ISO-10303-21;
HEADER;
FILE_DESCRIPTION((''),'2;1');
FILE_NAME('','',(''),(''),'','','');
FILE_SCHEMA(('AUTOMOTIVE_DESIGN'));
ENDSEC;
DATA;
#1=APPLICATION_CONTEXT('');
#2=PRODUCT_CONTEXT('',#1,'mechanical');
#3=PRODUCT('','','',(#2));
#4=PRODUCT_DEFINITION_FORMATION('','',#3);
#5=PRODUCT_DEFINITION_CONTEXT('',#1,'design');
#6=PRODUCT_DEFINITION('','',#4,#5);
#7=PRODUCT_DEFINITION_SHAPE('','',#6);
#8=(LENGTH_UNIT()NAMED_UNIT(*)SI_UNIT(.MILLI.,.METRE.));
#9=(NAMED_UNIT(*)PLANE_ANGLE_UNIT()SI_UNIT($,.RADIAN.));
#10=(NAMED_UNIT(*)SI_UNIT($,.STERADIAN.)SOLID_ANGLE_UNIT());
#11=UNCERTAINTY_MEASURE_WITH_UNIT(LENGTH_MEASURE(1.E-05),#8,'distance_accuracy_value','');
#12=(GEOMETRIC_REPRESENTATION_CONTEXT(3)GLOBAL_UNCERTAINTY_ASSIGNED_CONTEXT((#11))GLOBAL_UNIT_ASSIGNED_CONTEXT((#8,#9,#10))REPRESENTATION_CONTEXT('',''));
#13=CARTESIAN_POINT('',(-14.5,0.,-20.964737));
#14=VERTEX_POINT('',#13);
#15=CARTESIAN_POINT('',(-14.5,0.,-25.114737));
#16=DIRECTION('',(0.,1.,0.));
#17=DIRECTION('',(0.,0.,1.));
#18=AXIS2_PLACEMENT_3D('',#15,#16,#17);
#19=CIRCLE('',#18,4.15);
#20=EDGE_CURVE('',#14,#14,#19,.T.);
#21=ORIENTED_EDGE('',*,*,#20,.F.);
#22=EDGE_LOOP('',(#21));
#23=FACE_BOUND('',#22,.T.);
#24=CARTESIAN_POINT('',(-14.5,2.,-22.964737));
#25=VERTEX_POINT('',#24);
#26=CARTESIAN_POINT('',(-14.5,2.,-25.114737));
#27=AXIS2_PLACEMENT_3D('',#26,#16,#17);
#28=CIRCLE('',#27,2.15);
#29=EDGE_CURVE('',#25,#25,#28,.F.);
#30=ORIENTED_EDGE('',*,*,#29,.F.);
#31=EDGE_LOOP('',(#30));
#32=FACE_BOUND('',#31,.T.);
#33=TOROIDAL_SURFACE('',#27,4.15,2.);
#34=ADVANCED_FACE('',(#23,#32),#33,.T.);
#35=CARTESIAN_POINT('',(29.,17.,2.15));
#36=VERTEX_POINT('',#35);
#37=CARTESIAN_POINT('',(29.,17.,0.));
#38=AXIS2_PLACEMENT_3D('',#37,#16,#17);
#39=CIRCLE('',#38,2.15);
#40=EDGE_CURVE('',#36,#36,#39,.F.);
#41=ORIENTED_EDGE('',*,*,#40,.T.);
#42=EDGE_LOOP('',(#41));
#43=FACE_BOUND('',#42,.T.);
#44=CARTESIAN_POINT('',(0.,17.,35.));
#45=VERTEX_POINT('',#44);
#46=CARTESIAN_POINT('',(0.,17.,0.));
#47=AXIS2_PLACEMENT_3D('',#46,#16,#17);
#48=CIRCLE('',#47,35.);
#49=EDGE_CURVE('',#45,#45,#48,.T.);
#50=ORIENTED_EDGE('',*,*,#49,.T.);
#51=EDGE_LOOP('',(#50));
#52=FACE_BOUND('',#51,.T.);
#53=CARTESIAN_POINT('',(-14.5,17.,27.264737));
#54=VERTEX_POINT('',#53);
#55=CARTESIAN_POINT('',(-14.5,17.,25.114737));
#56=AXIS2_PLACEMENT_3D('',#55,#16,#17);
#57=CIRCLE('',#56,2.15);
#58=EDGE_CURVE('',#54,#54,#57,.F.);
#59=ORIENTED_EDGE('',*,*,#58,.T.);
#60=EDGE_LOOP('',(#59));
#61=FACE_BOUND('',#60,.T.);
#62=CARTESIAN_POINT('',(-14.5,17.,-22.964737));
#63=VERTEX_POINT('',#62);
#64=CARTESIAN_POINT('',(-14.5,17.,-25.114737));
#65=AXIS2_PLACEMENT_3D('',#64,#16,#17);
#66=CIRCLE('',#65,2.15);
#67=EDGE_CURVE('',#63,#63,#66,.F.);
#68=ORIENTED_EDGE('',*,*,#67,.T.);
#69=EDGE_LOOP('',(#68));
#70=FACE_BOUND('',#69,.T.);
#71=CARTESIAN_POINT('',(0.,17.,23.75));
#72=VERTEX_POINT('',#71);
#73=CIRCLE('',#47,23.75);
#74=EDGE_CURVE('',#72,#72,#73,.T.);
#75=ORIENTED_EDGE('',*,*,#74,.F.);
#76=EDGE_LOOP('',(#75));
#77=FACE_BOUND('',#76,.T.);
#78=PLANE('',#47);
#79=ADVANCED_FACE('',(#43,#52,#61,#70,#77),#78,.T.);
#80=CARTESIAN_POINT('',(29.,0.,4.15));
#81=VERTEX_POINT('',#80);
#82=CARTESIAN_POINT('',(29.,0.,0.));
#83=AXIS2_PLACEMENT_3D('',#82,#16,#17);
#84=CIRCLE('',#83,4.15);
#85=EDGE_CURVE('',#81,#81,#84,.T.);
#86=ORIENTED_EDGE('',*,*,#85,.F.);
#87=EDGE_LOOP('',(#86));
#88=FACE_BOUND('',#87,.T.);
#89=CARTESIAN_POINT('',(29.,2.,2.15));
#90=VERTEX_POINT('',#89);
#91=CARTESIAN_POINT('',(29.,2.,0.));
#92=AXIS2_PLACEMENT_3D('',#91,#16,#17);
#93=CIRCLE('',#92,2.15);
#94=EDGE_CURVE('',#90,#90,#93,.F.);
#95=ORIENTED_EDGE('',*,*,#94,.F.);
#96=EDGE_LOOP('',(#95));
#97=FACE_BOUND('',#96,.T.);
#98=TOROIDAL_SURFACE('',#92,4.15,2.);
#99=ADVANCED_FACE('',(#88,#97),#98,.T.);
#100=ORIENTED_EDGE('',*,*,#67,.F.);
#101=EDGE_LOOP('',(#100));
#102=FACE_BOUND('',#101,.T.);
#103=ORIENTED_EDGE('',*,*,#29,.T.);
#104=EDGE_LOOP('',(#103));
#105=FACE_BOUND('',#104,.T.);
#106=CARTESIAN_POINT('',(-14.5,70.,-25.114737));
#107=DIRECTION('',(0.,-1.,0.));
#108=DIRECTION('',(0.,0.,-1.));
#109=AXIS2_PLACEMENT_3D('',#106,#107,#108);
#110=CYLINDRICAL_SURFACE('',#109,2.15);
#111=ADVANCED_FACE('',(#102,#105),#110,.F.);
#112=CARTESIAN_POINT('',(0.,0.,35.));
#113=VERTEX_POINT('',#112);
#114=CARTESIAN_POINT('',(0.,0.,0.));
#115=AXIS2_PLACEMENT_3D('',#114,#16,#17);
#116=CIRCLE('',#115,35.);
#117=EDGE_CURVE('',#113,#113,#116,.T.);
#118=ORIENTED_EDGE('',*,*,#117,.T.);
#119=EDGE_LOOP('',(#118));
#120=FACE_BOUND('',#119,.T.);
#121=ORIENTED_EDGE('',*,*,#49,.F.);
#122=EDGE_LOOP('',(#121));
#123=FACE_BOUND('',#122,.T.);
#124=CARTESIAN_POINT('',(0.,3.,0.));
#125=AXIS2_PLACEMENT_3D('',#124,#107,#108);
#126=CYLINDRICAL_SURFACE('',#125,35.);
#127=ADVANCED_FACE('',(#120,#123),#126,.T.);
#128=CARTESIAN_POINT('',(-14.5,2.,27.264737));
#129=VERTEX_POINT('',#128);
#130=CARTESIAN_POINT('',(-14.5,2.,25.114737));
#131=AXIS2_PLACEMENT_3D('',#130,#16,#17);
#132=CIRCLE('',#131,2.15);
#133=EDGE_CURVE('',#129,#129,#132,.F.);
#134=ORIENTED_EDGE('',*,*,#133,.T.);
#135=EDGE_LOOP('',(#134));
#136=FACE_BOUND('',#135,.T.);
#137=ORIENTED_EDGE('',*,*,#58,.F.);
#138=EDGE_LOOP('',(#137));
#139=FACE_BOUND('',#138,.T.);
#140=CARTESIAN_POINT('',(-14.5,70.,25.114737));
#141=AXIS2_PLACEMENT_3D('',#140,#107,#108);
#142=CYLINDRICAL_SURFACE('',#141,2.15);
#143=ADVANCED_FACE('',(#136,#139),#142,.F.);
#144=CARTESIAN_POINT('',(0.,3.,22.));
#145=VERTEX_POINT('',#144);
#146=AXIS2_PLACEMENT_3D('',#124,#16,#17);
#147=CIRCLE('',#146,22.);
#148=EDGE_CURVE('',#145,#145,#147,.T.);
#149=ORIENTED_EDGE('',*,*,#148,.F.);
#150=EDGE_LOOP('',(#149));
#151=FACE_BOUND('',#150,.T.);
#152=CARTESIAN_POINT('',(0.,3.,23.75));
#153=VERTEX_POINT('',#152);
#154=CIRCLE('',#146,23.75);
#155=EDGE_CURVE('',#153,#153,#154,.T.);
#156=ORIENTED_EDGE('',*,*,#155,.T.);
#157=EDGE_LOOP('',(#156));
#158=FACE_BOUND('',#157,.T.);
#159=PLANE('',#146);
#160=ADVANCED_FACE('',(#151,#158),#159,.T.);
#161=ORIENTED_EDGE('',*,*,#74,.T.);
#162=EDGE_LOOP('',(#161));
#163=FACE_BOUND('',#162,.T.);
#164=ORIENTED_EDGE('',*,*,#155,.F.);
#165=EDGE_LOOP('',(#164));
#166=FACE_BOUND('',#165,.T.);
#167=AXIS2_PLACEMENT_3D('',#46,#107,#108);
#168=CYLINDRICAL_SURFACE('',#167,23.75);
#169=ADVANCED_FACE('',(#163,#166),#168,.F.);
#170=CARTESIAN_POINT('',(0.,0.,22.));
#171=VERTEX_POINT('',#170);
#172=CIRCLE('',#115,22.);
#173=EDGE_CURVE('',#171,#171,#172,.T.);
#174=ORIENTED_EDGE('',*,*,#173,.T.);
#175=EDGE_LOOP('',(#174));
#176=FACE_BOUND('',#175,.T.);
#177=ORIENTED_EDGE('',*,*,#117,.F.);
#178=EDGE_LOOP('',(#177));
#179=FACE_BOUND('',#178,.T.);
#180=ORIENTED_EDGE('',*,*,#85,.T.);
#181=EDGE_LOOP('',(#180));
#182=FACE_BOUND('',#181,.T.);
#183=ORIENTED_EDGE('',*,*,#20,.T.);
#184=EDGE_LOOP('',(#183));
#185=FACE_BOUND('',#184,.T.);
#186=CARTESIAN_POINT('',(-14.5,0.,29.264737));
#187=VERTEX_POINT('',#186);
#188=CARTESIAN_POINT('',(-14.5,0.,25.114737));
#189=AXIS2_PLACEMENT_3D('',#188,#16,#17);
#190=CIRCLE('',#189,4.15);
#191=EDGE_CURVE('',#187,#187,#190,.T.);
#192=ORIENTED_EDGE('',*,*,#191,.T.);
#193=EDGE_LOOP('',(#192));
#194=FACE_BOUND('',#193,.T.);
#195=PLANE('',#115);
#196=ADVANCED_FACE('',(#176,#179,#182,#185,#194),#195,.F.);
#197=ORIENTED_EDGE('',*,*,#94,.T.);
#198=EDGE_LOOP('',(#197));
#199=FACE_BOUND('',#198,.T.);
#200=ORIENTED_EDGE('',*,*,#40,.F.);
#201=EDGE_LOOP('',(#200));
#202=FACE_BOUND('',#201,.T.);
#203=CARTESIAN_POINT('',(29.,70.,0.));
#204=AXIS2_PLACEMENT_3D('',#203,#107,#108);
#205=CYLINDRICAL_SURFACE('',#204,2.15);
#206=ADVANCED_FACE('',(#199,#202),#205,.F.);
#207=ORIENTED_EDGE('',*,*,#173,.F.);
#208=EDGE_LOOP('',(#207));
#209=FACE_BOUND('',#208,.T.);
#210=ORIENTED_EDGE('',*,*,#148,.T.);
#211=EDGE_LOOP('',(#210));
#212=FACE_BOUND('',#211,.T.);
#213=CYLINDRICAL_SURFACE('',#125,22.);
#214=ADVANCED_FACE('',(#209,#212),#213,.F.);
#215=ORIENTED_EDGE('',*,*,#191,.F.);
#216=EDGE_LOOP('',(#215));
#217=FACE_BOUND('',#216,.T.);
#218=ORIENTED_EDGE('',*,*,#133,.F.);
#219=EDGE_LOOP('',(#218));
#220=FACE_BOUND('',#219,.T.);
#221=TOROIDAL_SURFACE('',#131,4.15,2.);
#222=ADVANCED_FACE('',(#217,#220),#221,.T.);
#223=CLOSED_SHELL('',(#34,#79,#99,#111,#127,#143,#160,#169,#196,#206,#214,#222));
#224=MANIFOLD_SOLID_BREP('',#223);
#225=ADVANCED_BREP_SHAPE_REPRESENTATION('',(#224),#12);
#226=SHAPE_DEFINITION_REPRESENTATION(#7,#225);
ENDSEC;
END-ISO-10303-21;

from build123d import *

# Parameters (mm, degrees)
SKETCH_1_R          = 35
SKETCH_1_R_2        = 22
EXTRUDE_1_DEPTH     = 3
SKETCH_2_R          = 35
SKETCH_2_R_2        = 23.75
EXTRUDE_2_DEPTH     = 14
SKETCH_4_R          = 2.15
CUT_EXTRUDE_1_DEPTH = 70
FILLET_1_R          = 2


with BuildPart() as part:
    # 草图1 → 凸台-拉伸1 (new body)
    with BuildSketch(Plane(origin=(0, 0, 0), x_dir=(1, 0, 0), z_dir=(0, 1, 0))):
        with Locations(Location((0, 0, 0), (0, 0, 270))):
            Circle(SKETCH_1_R)
        with Locations(Location((0, 0, 0), (0, 0, 270))):
            Circle(SKETCH_1_R_2, mode=Mode.SUBTRACT)
    extrude(amount=EXTRUDE_1_DEPTH)

    # 草图2 → 凸台-拉伸2 (add)
    with BuildSketch(Plane(origin=(0, 3, 0), x_dir=(1, 0, 0), z_dir=(0, 1, 0))):
        with Locations(Location((0, 0, 0), (0, 0, 270))):
            Circle(SKETCH_2_R)
        with Locations(Location((0, 0, 0), (0, 0, 270))):
            Circle(SKETCH_2_R_2, mode=Mode.SUBTRACT)
    extrude(amount=EXTRUDE_2_DEPTH)

    # 草图4 → 切除-拉伸1 (cut)
    with BuildSketch(Plane(origin=(0, 0, 0), x_dir=(1, 0, 0), z_dir=(0, 1, 0))):
        with Locations(Location((29, 0, 0), (0, 0, 270))):
            Circle(SKETCH_4_R)
        with Locations(Location((-14.5, -25.11473671, 0), (0, 0, 270))):
            Circle(SKETCH_4_R)
        with Locations(Location((-14.5, 25.11473671, 0), (0, 0, 270))):
            Circle(SKETCH_4_R)
    extrude(amount=CUT_EXTRUDE_1_DEPTH, mode=Mode.SUBTRACT)

    # 圆角1
    fillet_1_edges = [part.edges().sort_by_distance(p)[0] for p in [
        (29, 0, -2.15),
        (-14.5, 0, 22.96473671),
        (-14.5, 0, -27.26473671),
    ]]
    fillet(fillet_1_edges, radius=FILLET_1_R)


solid = part.part
